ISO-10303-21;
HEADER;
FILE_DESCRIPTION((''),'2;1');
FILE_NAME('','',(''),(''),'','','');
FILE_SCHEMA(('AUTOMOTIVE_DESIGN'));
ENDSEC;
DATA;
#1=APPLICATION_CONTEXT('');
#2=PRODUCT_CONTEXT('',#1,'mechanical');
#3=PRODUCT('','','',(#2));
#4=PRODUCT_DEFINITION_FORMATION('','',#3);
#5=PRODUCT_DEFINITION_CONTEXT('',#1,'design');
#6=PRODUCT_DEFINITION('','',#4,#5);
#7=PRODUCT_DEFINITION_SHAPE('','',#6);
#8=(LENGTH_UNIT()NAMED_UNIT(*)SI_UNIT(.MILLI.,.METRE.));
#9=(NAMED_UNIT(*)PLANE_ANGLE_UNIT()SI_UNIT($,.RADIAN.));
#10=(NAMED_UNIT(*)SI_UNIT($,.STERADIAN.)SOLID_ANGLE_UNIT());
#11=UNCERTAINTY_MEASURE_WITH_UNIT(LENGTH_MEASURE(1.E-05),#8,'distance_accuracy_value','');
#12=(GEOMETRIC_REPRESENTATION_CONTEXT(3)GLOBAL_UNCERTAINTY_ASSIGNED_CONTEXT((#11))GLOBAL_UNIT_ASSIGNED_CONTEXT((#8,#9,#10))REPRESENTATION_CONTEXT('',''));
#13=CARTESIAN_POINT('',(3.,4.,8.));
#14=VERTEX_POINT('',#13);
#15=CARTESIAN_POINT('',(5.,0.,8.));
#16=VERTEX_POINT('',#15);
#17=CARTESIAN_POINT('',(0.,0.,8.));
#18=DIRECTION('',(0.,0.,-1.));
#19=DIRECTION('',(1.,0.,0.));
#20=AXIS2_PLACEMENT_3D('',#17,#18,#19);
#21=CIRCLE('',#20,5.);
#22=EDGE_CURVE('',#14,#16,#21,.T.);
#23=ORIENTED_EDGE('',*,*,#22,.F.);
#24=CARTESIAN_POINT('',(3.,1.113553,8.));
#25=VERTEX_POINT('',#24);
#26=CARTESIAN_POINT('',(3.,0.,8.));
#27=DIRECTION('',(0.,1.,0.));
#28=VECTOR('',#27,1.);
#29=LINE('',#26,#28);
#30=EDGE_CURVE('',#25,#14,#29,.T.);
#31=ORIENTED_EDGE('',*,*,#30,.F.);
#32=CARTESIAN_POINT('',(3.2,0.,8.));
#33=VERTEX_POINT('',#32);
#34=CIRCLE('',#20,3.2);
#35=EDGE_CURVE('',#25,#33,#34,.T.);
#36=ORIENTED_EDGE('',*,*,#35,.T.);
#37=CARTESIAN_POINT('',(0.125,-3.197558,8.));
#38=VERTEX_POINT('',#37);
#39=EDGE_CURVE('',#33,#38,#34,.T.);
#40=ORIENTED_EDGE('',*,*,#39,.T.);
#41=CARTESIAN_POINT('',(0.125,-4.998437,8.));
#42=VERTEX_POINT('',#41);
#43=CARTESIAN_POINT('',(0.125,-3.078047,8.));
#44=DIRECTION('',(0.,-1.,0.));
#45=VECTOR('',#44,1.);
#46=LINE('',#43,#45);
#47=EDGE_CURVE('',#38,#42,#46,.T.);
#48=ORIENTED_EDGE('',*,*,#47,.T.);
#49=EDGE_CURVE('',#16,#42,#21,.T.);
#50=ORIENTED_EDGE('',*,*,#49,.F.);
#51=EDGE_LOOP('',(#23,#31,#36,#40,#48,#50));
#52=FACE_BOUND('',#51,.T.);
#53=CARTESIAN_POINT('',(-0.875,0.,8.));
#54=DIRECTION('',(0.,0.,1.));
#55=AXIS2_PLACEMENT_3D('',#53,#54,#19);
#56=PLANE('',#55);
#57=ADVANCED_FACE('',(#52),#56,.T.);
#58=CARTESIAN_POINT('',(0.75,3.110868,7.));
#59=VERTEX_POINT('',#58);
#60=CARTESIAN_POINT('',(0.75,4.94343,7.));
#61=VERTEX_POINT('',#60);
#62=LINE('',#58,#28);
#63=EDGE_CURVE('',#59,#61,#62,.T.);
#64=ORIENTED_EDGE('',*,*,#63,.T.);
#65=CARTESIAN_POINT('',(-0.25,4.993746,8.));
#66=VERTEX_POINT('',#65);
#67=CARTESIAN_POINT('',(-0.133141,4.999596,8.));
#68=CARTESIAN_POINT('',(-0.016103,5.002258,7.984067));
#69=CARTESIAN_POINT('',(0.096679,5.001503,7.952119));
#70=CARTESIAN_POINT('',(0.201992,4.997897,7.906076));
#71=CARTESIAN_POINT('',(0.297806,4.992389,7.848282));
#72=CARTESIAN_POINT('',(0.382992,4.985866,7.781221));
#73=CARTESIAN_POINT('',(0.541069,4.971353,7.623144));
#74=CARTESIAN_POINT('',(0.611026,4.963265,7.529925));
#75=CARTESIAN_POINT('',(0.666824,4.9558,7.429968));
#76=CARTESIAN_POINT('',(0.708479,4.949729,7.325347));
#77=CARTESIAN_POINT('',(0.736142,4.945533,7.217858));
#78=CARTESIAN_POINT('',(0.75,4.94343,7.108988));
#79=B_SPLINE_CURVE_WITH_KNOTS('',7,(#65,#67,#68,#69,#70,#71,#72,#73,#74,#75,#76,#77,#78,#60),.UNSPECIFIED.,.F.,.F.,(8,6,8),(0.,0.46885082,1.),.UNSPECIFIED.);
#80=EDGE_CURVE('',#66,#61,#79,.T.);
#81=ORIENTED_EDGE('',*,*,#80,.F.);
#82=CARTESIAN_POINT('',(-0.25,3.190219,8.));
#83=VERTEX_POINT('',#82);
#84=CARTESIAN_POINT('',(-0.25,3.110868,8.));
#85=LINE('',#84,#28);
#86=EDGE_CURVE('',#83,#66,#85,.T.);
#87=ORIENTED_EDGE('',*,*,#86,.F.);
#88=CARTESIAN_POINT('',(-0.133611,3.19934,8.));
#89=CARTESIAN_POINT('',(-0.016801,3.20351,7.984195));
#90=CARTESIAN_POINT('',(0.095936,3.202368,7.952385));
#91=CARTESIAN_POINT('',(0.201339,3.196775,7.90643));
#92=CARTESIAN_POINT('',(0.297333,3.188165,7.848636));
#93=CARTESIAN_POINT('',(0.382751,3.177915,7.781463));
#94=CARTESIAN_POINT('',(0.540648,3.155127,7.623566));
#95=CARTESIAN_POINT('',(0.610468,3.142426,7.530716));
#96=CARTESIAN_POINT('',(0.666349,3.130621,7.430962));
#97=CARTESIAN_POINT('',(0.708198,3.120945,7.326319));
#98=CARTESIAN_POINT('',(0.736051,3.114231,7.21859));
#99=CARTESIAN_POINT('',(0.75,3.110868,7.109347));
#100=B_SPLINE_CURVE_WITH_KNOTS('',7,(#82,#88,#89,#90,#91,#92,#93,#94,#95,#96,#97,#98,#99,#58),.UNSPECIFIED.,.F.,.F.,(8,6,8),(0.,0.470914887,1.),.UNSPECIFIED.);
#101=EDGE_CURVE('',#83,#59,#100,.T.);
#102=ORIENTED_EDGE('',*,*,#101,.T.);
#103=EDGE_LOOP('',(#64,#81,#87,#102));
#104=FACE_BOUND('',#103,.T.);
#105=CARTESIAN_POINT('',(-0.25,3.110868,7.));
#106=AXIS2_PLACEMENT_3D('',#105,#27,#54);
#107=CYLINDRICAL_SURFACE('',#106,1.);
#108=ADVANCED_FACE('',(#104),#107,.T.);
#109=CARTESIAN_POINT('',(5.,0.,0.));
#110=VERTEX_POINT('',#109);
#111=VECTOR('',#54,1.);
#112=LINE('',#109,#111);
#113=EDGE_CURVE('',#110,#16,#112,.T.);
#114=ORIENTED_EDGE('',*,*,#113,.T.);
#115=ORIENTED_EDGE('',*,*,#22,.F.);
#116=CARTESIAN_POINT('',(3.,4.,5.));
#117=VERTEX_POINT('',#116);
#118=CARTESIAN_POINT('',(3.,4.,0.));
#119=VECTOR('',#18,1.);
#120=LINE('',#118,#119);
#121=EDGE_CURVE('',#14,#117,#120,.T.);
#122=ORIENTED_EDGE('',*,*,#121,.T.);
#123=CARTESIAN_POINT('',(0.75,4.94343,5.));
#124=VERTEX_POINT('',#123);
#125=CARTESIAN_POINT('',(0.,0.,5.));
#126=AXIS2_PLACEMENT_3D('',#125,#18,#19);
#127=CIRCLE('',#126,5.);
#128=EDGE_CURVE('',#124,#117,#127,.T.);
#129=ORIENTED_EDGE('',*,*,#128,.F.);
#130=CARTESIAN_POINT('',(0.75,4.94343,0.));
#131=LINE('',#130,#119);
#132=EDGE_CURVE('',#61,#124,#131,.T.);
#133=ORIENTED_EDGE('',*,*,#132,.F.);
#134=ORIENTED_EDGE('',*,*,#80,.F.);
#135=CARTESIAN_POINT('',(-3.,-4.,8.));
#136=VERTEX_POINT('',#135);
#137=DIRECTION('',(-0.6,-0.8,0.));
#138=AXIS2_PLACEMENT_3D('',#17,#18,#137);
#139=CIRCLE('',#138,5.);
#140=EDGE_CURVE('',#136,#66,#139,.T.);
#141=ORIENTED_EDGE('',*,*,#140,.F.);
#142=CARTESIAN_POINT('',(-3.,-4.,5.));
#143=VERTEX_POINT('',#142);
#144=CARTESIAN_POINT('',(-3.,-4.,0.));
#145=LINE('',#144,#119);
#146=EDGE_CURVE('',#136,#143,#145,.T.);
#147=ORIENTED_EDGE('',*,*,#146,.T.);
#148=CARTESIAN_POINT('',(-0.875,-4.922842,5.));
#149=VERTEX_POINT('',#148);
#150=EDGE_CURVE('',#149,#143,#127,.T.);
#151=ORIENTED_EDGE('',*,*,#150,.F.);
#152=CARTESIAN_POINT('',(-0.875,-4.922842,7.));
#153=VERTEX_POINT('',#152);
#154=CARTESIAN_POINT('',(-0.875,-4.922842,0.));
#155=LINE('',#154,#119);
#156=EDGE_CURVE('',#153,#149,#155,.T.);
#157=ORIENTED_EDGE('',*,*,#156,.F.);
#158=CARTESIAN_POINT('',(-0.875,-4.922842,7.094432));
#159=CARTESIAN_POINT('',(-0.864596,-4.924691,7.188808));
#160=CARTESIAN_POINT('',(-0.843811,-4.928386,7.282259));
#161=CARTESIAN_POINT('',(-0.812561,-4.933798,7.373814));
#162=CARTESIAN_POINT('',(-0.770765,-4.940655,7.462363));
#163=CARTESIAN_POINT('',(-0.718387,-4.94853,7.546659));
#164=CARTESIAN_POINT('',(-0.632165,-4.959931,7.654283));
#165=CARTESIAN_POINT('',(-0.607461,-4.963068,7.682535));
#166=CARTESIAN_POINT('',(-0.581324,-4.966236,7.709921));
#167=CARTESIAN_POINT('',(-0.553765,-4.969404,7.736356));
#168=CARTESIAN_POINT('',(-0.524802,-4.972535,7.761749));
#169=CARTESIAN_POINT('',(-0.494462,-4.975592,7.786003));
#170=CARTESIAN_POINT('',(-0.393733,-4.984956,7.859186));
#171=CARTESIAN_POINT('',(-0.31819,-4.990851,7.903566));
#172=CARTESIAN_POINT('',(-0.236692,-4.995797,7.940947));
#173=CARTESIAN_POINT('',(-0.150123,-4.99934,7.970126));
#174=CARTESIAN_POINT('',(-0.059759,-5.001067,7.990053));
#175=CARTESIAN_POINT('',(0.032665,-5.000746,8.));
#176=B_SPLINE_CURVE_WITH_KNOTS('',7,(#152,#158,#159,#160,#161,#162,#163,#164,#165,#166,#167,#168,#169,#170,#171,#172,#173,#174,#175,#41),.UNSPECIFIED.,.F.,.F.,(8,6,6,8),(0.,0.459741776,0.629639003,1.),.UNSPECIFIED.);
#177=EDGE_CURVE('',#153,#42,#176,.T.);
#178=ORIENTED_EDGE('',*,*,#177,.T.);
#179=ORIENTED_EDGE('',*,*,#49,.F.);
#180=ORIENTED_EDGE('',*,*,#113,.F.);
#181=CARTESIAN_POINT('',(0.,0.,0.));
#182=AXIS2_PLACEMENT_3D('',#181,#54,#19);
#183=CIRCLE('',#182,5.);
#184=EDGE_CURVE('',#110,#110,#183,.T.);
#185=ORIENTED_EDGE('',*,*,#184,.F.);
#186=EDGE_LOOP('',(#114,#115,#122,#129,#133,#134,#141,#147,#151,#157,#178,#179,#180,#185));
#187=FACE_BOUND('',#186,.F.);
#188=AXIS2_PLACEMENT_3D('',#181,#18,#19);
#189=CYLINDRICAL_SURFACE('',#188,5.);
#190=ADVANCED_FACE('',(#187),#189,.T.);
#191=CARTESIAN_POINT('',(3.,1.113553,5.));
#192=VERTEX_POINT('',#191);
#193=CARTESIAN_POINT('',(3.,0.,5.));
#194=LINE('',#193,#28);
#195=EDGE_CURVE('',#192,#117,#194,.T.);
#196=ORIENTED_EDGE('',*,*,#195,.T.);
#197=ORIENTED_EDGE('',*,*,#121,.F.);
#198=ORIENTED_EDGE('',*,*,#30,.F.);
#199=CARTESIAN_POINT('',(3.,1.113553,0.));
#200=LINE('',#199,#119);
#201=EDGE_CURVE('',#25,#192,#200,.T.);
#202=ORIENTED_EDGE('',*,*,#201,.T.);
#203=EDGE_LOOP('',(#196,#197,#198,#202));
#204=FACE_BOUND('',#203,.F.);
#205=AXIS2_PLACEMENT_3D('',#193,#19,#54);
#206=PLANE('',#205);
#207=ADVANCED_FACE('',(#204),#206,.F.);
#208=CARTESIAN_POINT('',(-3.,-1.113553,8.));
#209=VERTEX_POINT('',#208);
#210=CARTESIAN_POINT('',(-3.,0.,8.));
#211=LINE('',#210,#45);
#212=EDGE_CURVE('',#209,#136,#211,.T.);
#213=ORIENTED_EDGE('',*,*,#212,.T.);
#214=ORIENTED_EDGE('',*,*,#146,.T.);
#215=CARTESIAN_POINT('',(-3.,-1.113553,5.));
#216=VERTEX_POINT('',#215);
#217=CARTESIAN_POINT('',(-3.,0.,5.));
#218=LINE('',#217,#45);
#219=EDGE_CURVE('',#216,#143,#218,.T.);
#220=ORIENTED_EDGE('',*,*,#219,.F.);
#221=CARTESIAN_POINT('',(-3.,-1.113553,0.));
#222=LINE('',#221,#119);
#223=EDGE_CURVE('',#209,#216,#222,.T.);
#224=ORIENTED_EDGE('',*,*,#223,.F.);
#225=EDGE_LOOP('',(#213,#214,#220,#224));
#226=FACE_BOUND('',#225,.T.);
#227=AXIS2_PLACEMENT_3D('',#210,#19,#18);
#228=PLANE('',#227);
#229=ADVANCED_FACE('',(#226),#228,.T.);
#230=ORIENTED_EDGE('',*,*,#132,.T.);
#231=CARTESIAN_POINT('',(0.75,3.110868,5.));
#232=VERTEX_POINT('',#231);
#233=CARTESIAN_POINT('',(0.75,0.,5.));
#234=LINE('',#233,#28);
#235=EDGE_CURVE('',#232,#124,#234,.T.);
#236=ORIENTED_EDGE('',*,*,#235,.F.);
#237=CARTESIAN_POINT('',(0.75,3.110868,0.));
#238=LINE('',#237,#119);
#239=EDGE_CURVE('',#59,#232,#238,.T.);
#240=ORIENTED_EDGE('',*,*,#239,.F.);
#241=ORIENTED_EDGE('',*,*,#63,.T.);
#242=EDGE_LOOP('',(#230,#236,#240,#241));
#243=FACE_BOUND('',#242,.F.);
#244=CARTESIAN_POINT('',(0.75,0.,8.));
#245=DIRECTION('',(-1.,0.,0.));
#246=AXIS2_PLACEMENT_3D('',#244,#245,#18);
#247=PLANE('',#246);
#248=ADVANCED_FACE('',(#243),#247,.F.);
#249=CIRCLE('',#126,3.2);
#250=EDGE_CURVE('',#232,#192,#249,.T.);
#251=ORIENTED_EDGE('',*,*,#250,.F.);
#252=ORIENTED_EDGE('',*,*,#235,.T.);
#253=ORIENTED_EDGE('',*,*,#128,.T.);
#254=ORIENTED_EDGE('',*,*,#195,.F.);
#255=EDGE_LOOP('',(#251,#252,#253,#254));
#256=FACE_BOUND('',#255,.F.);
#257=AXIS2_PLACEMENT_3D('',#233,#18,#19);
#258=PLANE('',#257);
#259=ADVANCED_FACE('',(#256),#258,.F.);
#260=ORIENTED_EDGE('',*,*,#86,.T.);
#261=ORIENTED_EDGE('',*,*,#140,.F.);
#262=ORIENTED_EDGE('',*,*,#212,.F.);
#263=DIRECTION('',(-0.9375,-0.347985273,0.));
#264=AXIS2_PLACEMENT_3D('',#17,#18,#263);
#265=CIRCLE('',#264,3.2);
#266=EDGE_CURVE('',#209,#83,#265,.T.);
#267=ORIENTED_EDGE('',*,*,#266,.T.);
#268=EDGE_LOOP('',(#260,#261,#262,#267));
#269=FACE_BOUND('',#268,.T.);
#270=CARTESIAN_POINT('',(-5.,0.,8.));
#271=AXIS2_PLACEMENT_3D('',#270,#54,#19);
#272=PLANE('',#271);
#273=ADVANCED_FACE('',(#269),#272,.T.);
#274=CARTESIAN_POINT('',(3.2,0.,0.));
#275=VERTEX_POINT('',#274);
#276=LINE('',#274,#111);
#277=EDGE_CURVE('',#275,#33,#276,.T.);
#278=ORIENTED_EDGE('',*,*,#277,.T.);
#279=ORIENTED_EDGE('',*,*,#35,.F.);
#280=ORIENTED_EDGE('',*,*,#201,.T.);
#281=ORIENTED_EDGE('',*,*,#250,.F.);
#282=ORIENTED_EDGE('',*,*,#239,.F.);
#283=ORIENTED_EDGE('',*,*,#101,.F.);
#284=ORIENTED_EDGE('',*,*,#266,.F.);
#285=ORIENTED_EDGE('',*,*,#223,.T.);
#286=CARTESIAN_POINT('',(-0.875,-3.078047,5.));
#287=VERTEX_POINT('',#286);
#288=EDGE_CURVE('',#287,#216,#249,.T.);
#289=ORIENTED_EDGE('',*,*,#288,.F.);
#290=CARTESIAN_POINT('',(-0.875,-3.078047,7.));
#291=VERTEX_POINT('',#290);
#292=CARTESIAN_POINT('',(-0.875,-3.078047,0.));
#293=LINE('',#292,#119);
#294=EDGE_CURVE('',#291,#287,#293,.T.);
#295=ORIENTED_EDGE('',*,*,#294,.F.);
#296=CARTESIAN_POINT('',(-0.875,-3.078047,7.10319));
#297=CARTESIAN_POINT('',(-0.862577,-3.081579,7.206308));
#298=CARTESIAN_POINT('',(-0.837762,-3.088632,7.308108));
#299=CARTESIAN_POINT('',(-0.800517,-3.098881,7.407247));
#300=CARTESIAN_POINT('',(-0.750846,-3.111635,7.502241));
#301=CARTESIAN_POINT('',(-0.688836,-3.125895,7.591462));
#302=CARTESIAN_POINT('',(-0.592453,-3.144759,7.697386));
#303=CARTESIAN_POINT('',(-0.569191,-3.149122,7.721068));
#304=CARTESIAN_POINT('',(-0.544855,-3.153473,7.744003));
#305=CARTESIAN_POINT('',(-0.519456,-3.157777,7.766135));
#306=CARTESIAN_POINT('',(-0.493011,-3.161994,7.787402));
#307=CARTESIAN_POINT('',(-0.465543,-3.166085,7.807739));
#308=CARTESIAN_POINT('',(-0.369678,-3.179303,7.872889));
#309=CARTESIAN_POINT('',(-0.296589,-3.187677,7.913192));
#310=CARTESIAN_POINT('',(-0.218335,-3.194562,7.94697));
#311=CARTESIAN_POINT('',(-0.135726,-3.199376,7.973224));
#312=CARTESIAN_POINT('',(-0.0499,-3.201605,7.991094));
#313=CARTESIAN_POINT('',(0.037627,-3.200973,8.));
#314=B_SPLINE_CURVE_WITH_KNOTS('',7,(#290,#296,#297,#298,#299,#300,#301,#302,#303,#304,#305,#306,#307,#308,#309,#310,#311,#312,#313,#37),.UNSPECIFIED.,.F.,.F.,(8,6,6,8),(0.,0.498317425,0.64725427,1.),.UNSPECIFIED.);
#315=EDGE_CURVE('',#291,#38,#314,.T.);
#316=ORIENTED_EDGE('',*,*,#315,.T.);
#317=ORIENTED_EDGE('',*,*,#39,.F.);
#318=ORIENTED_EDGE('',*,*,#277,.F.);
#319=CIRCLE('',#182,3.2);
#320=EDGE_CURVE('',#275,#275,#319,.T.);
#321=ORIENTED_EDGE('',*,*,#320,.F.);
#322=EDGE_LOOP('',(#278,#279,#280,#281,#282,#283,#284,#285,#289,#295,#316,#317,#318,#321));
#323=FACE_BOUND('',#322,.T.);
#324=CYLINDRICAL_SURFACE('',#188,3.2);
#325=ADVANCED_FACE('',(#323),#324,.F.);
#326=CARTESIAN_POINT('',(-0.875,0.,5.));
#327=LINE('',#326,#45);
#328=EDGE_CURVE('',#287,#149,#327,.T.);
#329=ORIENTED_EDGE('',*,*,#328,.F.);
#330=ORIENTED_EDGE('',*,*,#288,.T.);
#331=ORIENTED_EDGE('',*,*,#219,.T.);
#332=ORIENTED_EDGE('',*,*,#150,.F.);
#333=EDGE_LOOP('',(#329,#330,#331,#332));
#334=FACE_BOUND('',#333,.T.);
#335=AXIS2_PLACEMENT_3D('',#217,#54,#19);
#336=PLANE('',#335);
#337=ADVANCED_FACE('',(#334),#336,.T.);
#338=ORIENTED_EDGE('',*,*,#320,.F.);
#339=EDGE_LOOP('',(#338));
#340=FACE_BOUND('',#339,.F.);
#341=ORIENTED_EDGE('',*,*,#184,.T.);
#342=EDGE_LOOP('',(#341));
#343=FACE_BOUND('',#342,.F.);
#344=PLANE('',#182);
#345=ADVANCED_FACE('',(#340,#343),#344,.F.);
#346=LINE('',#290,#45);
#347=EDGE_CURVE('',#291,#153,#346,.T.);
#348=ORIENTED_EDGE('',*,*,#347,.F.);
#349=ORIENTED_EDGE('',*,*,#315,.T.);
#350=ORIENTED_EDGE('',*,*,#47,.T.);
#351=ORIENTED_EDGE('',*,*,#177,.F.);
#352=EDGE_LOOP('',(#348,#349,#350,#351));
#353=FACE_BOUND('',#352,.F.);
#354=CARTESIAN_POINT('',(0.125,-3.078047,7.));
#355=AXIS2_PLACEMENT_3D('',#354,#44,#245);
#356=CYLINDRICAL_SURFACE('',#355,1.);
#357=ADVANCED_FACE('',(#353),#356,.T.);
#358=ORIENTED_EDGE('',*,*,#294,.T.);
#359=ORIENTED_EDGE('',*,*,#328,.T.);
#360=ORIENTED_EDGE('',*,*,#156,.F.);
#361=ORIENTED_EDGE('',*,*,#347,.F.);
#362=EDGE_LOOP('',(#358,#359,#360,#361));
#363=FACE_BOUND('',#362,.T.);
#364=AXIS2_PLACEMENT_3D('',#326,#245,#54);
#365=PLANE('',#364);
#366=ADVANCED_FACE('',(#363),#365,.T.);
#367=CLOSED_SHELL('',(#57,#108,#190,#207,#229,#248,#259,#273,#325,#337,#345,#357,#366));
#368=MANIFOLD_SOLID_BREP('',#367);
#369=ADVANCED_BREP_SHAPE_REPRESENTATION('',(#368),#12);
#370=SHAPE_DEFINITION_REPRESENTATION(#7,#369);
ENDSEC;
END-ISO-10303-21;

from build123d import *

# Parameters (mm, degrees)
PAD002_DEPTH = 10
PAD001_DEPTH = 10
SKETCH_R     = 5
SKETCH_R_2   = 3.2
PAD_DEPTH    = 12
FILLET_R     = 1


with BuildPart() as pad002:
    # Sketch002 → Pad002 (new body)
    with BuildSketch(Plane.XZ):
        Polygon((-5, 8), (0.75, 8), (0.75, 5), (3, 5), (3, 8), (5, 8), (5, 12), (-5, 12), align=None)
    extrude(amount=-PAD002_DEPTH)


with BuildPart() as pad001:
    # Sketch001 → Pad001 (new body)
    with BuildSketch(Plane.XZ):
        Polygon((5, 8), (5, 12), (-5, 12), (-5, 8), (-3, 8), (-3, 5), (-0.875, 5), (-0.875, 8), align=None)
    extrude(amount=PAD001_DEPTH)


with BuildPart() as fillet_body:
    # Sketch → Pad (new body)
    with BuildSketch(Plane.XY):
        Circle(SKETCH_R)
        Circle(SKETCH_R_2, mode=Mode.SUBTRACT)
    extrude(amount=PAD_DEPTH)

    # Cut: cut Pad001
    add(pad001.part, mode=Mode.SUBTRACT)

    # Cut001: cut Pad002
    add(pad002.part, mode=Mode.SUBTRACT)

    # Fillet
    fillet_edges = [fillet_body.edges().sort_by_distance(p)[0] for p in [
        (-0.875, -4.000445, 8),
        (0.75, 4.027149, 8),
    ]]
    fillet(fillet_edges, radius=FILLET_R)


solid = fillet_body.part
